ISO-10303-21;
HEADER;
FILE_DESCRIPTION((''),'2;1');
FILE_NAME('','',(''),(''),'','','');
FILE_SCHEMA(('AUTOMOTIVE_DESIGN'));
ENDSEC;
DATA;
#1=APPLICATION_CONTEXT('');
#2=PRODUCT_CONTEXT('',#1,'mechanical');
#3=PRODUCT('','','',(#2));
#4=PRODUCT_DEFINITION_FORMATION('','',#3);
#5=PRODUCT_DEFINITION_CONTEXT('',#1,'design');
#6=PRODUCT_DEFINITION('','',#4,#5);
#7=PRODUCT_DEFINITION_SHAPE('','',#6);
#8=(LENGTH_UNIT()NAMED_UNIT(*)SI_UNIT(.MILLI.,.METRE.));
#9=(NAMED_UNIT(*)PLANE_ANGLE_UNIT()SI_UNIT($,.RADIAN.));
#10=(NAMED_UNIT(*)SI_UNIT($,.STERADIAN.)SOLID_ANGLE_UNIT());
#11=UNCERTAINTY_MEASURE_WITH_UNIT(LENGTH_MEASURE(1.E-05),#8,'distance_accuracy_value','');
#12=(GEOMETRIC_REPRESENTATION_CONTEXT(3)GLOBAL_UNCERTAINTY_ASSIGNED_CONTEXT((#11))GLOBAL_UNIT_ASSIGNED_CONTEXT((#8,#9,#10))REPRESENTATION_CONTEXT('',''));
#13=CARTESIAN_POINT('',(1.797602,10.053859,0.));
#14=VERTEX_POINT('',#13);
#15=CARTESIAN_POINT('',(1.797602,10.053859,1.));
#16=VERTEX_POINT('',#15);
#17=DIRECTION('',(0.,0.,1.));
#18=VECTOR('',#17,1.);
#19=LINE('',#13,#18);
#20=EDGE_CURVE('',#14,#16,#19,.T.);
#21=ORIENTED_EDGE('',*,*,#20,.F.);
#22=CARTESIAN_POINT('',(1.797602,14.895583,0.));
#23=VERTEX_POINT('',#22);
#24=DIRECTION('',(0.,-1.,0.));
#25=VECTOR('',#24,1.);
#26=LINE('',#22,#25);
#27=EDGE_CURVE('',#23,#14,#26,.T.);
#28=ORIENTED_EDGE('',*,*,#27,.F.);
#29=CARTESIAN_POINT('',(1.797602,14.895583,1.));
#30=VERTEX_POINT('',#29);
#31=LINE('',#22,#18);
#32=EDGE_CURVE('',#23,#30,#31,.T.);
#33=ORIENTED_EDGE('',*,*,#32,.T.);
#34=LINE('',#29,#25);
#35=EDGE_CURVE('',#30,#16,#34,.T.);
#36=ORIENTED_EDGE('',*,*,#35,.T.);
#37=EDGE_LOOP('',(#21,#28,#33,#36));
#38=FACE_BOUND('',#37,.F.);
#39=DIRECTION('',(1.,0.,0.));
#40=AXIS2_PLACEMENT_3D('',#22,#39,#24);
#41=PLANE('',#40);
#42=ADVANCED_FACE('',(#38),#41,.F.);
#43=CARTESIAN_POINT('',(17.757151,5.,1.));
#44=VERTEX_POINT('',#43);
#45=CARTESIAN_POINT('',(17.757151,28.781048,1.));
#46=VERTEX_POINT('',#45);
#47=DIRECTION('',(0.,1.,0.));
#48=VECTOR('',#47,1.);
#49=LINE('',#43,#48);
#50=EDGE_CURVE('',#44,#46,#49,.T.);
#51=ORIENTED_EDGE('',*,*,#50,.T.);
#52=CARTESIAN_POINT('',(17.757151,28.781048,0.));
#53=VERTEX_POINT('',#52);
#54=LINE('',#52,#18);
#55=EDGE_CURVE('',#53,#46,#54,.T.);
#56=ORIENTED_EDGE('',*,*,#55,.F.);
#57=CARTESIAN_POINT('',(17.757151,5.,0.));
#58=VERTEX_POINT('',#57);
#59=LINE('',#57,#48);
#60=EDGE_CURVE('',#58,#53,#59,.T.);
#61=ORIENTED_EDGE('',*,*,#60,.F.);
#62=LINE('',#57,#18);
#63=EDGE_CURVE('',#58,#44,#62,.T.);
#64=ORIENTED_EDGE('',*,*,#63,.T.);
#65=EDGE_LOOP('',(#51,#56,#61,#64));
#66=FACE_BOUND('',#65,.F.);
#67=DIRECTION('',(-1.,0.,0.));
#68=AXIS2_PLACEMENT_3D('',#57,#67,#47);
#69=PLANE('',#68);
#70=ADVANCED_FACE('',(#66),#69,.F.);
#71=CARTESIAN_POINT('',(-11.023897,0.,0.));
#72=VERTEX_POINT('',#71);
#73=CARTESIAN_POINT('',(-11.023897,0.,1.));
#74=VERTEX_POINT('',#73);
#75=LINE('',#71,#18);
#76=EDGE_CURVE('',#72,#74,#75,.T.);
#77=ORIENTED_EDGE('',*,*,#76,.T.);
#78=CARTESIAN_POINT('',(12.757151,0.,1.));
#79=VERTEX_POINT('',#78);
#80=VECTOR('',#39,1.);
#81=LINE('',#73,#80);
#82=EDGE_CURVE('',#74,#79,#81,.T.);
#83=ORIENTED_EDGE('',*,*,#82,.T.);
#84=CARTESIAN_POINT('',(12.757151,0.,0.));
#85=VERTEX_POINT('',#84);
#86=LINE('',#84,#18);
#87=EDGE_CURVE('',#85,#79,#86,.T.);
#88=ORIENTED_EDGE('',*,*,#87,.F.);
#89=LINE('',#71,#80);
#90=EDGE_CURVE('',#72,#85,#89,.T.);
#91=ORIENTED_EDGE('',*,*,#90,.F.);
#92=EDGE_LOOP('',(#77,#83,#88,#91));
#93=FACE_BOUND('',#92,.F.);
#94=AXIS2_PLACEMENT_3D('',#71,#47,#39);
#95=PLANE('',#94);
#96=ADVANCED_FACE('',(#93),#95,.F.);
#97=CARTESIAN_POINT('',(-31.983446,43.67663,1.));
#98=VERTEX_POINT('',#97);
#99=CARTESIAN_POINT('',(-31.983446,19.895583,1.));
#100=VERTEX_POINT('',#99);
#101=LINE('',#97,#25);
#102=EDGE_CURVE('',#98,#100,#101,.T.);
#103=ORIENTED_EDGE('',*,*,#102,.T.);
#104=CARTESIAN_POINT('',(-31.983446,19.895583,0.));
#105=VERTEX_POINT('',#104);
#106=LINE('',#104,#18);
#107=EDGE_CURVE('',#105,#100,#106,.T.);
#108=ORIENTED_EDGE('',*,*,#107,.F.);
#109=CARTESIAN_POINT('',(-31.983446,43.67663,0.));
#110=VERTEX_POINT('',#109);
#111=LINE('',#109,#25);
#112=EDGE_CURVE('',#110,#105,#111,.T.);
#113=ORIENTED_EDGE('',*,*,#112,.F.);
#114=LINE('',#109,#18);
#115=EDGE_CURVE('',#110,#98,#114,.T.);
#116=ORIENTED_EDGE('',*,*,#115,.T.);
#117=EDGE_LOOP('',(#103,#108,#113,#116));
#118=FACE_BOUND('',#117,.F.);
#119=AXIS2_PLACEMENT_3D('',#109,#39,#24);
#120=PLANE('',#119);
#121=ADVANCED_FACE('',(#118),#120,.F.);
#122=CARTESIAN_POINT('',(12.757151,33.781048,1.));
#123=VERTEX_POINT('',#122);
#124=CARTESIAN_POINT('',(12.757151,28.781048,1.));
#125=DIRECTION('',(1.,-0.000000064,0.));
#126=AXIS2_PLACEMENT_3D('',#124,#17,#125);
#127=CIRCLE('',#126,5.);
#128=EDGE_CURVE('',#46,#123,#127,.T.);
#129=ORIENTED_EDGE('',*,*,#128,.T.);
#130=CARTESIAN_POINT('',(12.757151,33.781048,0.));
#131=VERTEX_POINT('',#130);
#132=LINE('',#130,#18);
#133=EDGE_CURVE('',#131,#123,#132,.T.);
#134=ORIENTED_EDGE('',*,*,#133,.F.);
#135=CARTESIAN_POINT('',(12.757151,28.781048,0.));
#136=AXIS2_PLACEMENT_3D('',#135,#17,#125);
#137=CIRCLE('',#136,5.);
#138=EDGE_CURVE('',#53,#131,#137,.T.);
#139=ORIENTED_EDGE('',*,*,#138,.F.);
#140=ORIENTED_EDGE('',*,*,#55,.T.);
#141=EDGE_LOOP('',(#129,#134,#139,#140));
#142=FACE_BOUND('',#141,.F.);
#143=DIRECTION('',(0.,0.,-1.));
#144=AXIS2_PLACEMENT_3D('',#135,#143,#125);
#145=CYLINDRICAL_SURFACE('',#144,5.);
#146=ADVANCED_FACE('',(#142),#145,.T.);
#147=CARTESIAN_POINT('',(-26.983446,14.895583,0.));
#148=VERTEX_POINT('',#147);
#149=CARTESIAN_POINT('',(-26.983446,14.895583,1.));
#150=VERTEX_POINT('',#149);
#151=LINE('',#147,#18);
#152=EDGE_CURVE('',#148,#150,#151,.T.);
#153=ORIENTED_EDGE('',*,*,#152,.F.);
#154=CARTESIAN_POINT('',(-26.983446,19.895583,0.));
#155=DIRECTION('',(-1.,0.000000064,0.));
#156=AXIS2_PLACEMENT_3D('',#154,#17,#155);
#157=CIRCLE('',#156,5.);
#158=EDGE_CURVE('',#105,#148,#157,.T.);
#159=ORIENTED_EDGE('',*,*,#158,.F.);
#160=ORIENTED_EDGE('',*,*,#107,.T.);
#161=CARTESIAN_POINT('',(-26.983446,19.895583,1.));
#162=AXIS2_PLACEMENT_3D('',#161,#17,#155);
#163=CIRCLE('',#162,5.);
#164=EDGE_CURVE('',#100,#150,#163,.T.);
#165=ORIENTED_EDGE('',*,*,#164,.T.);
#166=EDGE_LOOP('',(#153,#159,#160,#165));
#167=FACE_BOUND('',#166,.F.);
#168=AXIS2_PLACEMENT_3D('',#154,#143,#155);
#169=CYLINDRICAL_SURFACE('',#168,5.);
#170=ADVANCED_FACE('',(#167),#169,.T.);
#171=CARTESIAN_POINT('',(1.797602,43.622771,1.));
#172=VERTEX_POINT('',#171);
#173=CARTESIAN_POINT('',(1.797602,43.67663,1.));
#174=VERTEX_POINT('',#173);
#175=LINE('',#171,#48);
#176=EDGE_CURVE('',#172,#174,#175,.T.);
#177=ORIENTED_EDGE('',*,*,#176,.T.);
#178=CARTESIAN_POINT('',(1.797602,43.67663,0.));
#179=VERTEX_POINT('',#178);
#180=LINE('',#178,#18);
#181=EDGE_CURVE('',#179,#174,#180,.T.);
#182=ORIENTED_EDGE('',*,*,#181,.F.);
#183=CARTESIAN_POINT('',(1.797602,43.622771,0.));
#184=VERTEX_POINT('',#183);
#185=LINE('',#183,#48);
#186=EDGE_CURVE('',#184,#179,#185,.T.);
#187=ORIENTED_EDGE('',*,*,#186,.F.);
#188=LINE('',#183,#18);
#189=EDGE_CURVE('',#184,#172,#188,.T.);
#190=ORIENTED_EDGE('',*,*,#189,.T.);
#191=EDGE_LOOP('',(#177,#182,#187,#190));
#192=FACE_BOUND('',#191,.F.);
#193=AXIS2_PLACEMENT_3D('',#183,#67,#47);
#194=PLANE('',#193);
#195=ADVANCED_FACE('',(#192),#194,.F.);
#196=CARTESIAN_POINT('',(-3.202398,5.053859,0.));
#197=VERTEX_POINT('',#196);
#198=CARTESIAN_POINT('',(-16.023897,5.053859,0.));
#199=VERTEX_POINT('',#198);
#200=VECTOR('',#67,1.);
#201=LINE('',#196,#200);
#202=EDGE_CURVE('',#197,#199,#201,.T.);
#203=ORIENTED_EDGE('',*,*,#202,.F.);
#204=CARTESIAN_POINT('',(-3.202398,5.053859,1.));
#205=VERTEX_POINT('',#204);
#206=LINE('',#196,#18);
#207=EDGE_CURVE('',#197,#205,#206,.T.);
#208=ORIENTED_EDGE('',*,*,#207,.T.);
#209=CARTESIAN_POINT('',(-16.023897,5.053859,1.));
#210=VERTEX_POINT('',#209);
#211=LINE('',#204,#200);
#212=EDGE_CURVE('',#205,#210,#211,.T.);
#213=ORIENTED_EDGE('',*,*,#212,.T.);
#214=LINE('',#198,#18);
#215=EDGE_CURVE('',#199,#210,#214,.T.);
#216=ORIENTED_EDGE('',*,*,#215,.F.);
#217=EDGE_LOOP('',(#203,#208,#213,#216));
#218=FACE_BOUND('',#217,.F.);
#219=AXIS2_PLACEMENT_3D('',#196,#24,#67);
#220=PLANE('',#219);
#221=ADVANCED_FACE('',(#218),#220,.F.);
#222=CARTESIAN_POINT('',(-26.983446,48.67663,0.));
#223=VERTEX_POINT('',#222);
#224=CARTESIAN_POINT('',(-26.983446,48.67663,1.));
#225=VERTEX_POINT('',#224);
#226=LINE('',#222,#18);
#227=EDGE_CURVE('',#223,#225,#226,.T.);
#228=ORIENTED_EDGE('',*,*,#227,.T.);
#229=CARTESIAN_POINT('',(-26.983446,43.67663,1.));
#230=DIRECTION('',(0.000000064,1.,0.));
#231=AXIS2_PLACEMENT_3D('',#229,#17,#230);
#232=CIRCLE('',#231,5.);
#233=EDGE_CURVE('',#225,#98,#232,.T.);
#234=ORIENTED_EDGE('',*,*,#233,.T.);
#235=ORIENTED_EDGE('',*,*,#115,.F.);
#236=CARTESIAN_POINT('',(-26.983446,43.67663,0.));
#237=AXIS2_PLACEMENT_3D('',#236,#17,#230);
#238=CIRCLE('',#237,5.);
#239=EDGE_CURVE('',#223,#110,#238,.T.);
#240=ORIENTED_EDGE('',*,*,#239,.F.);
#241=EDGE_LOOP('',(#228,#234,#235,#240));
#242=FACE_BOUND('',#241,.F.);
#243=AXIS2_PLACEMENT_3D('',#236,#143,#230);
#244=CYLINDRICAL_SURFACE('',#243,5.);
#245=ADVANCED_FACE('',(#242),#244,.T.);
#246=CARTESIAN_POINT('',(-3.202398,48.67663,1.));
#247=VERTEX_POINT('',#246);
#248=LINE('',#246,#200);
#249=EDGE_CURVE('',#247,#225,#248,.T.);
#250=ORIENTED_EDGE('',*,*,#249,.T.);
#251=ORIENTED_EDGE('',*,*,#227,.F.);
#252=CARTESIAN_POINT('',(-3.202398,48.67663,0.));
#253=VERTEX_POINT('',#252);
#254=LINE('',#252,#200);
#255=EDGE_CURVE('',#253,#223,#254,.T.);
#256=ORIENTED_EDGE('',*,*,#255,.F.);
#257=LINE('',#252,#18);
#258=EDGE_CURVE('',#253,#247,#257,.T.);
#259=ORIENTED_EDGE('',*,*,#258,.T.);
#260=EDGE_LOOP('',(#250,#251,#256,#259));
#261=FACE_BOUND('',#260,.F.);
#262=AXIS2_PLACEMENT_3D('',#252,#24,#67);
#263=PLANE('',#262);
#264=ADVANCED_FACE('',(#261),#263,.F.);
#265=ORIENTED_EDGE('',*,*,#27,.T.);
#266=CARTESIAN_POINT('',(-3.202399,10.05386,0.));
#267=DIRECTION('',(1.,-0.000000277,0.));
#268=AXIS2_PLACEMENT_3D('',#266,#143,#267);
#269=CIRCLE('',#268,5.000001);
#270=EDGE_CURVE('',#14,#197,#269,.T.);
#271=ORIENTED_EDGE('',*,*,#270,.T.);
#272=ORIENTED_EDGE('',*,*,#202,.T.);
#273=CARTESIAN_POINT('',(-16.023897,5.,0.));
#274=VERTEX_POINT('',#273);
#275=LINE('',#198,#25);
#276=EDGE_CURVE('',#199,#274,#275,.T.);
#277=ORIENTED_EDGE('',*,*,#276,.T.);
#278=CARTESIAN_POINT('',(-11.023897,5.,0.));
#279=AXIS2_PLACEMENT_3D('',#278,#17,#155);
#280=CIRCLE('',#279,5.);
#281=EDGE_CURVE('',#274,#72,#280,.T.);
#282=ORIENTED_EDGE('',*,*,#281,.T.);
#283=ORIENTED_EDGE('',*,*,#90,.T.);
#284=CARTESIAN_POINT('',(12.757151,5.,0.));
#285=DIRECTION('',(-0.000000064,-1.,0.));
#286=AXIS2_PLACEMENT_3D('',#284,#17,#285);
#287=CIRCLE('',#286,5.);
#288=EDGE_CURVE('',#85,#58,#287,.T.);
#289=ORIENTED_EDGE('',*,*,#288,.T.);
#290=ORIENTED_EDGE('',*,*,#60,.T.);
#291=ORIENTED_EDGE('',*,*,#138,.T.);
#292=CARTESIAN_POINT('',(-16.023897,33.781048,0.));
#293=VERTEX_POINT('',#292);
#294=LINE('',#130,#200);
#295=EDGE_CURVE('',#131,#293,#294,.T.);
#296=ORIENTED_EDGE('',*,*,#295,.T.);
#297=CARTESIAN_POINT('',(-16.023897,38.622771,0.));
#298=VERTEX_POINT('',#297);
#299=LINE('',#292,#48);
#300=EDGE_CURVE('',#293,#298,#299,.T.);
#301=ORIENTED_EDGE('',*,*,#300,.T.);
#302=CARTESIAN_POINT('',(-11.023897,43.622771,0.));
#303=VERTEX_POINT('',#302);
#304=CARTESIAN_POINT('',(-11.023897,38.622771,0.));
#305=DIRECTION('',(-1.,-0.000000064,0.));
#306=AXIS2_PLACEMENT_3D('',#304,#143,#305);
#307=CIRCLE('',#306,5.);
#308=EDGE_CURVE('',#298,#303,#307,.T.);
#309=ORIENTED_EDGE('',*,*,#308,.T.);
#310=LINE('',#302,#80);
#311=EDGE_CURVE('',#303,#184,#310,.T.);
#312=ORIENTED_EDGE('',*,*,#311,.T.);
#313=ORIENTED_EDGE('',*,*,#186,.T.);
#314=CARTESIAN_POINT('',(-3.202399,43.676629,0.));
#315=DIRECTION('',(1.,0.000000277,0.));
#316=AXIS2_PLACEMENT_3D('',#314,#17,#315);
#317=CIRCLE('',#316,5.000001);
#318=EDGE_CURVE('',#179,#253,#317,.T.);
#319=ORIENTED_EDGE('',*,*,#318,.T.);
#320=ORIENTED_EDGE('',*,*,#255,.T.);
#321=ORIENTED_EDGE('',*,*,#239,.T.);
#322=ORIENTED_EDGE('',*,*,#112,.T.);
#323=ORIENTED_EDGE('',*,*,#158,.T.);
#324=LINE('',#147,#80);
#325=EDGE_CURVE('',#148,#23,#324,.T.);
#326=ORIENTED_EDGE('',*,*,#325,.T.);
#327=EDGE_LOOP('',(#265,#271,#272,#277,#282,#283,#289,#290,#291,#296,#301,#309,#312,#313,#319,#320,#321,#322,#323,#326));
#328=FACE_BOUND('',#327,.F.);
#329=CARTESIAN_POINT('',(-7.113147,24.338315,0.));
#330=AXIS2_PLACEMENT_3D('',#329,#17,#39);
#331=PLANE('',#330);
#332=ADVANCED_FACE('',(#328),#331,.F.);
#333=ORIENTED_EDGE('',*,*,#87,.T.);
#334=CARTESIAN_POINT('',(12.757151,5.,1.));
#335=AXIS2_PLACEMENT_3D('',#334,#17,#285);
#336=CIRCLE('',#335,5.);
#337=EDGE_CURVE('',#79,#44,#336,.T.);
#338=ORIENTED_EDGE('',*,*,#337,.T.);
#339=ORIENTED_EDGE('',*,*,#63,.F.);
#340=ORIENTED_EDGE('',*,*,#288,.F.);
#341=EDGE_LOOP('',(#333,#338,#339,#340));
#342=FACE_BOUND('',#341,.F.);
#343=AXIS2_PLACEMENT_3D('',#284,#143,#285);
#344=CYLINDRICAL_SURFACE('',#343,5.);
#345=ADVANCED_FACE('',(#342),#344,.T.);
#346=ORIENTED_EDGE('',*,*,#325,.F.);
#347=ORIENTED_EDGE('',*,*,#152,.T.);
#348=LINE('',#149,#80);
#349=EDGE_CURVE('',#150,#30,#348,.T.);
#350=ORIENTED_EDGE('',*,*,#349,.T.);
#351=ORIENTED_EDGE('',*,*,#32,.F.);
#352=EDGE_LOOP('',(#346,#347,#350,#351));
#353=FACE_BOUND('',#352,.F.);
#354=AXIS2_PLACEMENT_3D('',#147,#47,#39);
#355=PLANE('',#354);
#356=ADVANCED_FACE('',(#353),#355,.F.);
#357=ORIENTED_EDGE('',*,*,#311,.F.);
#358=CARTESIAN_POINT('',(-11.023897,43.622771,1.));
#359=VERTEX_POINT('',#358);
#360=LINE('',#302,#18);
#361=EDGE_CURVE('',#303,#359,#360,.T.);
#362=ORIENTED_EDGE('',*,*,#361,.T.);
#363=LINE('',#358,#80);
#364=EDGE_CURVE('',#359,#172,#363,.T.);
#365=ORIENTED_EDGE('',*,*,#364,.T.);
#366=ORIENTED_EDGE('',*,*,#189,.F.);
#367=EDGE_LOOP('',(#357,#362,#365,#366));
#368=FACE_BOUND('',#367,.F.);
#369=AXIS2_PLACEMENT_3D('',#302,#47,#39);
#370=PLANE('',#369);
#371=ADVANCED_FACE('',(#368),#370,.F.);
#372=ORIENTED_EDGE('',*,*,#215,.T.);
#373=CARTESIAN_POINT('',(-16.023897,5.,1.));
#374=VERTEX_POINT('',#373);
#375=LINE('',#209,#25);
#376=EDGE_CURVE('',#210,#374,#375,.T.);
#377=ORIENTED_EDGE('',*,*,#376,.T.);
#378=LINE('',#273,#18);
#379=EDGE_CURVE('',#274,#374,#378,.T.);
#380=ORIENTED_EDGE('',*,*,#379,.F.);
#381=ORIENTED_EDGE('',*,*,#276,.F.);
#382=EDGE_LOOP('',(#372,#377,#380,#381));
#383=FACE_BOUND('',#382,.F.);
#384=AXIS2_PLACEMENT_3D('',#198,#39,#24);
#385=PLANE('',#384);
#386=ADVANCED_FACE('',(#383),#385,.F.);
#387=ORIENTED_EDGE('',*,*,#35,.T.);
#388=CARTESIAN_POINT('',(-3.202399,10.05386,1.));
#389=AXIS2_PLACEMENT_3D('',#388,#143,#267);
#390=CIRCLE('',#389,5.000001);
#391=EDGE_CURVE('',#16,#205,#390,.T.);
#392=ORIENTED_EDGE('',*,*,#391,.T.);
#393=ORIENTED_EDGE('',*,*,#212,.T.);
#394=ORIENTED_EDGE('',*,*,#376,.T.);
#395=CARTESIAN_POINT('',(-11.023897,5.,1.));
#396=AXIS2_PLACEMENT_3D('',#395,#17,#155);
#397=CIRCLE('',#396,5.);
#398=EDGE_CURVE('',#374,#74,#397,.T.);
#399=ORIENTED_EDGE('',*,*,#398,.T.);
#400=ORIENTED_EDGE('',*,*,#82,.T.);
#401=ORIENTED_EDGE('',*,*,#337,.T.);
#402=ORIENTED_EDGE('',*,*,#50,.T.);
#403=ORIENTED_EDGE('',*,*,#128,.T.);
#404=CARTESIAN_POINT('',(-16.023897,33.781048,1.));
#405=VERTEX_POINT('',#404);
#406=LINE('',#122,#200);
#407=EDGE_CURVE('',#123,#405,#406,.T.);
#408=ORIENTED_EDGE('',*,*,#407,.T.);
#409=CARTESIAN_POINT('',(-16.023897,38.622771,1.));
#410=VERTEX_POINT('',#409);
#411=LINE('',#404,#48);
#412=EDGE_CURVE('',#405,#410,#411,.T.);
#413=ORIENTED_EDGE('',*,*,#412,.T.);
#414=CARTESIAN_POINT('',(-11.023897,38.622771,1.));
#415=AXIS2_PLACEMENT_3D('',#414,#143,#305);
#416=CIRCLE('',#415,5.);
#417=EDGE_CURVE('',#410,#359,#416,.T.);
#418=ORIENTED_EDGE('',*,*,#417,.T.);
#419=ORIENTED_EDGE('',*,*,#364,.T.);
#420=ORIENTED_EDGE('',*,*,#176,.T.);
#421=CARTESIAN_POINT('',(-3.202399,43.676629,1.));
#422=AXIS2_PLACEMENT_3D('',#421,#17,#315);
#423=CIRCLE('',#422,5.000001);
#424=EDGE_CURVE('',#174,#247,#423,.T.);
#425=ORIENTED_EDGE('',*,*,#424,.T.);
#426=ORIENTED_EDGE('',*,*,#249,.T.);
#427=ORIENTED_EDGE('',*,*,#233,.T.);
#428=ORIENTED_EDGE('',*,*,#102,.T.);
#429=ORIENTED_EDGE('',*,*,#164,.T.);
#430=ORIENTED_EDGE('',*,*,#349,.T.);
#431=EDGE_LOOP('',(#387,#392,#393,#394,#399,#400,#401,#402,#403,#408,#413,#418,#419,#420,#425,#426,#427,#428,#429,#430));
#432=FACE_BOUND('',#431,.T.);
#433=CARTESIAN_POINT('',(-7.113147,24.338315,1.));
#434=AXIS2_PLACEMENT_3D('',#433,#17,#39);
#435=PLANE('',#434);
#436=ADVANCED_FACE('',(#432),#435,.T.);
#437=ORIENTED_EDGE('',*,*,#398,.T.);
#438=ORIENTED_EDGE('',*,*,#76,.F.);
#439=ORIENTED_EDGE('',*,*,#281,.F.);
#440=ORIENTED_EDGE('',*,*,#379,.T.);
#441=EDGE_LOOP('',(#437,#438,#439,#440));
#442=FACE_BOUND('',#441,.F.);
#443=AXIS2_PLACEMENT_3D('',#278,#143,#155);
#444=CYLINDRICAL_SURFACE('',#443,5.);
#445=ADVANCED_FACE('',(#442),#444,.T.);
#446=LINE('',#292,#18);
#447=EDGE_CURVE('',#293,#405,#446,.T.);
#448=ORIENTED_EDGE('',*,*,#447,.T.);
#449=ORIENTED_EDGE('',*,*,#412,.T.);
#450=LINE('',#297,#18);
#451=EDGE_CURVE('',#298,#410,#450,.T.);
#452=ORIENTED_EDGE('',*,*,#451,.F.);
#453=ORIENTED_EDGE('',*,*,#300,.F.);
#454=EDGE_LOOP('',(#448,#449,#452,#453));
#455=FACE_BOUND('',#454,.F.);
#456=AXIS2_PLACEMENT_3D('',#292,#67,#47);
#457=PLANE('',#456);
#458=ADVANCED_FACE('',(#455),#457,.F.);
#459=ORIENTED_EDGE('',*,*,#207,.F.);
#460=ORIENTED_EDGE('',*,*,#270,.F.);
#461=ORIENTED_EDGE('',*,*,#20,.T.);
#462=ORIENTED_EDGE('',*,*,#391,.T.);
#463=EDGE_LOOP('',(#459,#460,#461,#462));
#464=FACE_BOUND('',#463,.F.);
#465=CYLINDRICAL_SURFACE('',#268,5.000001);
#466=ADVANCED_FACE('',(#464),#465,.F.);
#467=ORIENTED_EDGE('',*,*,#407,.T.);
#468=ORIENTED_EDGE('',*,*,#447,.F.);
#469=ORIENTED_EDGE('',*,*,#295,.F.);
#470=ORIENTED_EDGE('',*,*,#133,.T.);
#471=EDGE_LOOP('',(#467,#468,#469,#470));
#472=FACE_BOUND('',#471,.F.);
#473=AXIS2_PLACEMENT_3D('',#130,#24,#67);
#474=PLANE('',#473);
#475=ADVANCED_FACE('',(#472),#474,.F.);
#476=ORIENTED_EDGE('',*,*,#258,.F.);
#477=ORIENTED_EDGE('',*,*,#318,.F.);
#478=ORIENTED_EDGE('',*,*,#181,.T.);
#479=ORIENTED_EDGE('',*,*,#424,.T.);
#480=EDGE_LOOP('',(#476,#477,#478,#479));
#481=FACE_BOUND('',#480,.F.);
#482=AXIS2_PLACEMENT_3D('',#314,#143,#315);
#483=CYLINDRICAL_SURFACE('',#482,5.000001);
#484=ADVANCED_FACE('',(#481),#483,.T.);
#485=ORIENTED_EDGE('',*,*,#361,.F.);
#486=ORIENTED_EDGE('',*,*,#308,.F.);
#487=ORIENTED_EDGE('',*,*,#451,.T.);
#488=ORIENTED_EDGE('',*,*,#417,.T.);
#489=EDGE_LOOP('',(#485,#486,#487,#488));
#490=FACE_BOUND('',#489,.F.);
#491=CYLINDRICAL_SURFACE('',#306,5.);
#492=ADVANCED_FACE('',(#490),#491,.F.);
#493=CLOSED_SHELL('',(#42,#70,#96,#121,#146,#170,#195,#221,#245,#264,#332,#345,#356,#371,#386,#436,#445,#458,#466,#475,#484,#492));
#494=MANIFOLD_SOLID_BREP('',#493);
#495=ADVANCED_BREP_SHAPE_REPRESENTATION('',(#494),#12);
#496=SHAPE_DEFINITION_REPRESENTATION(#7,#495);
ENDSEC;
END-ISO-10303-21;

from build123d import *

# Parameters (mm, degrees)
F1_DEPTH = 1


with BuildPart() as f1:
    # F0 (on Top) → F1 (new body)
    with BuildSketch(Plane.XY):
        with BuildLine():
            ThreePointArc((1.797602, 43.67663), (0.333135, 47.212164), (-3.202398, 48.67663))
            Line((-3.202398, 48.67663), (-26.983446, 48.67663))
            ThreePointArc((-26.983446, 48.67663), (-30.51898, 47.212164), (-31.983446, 43.67663))
            Line((-31.983446, 43.67663), (-31.983446, 19.895583))
            ThreePointArc((-31.983446, 19.895583), (-30.51898, 16.360049), (-26.983446, 14.895583))
            Line((-26.983446, 14.895583), (1.797602, 14.895583))
            Line((1.797602, 14.895583), (1.797602, 10.053859))
            ThreePointArc((1.797602, 10.053859), (0.333135, 6.518325), (-3.202398, 5.053859))
            Line((-3.202398, 5.053859), (-16.023897, 5.053859))
            Line((-16.023897, 5.053859), (-16.023897, 5))
            ThreePointArc((-16.023897, 5), (-14.559431, 1.464466), (-11.023897, 0))
            Line((-11.023897, 0), (12.757151, 0))
            ThreePointArc((12.757151, 0), (16.292685, 1.464466), (17.757151, 5))
            Line((17.757151, 5), (17.757151, 28.781048))
            ThreePointArc((17.757151, 28.781048), (16.292685, 32.316582), (12.757151, 33.781048))
            Line((12.757151, 33.781048), (-16.023897, 33.781048))
            Line((-16.023897, 33.781048), (-16.023897, 38.622771))
            ThreePointArc((-16.023897, 38.622771), (-14.559431, 42.158305), (-11.023897, 43.622771))
            Line((-11.023897, 43.622771), (1.797602, 43.622771))
            Line((1.797602, 43.622771), (1.797602, 43.67663))
        make_face()
    extrude(amount=F1_DEPTH)


solid = f1.part
